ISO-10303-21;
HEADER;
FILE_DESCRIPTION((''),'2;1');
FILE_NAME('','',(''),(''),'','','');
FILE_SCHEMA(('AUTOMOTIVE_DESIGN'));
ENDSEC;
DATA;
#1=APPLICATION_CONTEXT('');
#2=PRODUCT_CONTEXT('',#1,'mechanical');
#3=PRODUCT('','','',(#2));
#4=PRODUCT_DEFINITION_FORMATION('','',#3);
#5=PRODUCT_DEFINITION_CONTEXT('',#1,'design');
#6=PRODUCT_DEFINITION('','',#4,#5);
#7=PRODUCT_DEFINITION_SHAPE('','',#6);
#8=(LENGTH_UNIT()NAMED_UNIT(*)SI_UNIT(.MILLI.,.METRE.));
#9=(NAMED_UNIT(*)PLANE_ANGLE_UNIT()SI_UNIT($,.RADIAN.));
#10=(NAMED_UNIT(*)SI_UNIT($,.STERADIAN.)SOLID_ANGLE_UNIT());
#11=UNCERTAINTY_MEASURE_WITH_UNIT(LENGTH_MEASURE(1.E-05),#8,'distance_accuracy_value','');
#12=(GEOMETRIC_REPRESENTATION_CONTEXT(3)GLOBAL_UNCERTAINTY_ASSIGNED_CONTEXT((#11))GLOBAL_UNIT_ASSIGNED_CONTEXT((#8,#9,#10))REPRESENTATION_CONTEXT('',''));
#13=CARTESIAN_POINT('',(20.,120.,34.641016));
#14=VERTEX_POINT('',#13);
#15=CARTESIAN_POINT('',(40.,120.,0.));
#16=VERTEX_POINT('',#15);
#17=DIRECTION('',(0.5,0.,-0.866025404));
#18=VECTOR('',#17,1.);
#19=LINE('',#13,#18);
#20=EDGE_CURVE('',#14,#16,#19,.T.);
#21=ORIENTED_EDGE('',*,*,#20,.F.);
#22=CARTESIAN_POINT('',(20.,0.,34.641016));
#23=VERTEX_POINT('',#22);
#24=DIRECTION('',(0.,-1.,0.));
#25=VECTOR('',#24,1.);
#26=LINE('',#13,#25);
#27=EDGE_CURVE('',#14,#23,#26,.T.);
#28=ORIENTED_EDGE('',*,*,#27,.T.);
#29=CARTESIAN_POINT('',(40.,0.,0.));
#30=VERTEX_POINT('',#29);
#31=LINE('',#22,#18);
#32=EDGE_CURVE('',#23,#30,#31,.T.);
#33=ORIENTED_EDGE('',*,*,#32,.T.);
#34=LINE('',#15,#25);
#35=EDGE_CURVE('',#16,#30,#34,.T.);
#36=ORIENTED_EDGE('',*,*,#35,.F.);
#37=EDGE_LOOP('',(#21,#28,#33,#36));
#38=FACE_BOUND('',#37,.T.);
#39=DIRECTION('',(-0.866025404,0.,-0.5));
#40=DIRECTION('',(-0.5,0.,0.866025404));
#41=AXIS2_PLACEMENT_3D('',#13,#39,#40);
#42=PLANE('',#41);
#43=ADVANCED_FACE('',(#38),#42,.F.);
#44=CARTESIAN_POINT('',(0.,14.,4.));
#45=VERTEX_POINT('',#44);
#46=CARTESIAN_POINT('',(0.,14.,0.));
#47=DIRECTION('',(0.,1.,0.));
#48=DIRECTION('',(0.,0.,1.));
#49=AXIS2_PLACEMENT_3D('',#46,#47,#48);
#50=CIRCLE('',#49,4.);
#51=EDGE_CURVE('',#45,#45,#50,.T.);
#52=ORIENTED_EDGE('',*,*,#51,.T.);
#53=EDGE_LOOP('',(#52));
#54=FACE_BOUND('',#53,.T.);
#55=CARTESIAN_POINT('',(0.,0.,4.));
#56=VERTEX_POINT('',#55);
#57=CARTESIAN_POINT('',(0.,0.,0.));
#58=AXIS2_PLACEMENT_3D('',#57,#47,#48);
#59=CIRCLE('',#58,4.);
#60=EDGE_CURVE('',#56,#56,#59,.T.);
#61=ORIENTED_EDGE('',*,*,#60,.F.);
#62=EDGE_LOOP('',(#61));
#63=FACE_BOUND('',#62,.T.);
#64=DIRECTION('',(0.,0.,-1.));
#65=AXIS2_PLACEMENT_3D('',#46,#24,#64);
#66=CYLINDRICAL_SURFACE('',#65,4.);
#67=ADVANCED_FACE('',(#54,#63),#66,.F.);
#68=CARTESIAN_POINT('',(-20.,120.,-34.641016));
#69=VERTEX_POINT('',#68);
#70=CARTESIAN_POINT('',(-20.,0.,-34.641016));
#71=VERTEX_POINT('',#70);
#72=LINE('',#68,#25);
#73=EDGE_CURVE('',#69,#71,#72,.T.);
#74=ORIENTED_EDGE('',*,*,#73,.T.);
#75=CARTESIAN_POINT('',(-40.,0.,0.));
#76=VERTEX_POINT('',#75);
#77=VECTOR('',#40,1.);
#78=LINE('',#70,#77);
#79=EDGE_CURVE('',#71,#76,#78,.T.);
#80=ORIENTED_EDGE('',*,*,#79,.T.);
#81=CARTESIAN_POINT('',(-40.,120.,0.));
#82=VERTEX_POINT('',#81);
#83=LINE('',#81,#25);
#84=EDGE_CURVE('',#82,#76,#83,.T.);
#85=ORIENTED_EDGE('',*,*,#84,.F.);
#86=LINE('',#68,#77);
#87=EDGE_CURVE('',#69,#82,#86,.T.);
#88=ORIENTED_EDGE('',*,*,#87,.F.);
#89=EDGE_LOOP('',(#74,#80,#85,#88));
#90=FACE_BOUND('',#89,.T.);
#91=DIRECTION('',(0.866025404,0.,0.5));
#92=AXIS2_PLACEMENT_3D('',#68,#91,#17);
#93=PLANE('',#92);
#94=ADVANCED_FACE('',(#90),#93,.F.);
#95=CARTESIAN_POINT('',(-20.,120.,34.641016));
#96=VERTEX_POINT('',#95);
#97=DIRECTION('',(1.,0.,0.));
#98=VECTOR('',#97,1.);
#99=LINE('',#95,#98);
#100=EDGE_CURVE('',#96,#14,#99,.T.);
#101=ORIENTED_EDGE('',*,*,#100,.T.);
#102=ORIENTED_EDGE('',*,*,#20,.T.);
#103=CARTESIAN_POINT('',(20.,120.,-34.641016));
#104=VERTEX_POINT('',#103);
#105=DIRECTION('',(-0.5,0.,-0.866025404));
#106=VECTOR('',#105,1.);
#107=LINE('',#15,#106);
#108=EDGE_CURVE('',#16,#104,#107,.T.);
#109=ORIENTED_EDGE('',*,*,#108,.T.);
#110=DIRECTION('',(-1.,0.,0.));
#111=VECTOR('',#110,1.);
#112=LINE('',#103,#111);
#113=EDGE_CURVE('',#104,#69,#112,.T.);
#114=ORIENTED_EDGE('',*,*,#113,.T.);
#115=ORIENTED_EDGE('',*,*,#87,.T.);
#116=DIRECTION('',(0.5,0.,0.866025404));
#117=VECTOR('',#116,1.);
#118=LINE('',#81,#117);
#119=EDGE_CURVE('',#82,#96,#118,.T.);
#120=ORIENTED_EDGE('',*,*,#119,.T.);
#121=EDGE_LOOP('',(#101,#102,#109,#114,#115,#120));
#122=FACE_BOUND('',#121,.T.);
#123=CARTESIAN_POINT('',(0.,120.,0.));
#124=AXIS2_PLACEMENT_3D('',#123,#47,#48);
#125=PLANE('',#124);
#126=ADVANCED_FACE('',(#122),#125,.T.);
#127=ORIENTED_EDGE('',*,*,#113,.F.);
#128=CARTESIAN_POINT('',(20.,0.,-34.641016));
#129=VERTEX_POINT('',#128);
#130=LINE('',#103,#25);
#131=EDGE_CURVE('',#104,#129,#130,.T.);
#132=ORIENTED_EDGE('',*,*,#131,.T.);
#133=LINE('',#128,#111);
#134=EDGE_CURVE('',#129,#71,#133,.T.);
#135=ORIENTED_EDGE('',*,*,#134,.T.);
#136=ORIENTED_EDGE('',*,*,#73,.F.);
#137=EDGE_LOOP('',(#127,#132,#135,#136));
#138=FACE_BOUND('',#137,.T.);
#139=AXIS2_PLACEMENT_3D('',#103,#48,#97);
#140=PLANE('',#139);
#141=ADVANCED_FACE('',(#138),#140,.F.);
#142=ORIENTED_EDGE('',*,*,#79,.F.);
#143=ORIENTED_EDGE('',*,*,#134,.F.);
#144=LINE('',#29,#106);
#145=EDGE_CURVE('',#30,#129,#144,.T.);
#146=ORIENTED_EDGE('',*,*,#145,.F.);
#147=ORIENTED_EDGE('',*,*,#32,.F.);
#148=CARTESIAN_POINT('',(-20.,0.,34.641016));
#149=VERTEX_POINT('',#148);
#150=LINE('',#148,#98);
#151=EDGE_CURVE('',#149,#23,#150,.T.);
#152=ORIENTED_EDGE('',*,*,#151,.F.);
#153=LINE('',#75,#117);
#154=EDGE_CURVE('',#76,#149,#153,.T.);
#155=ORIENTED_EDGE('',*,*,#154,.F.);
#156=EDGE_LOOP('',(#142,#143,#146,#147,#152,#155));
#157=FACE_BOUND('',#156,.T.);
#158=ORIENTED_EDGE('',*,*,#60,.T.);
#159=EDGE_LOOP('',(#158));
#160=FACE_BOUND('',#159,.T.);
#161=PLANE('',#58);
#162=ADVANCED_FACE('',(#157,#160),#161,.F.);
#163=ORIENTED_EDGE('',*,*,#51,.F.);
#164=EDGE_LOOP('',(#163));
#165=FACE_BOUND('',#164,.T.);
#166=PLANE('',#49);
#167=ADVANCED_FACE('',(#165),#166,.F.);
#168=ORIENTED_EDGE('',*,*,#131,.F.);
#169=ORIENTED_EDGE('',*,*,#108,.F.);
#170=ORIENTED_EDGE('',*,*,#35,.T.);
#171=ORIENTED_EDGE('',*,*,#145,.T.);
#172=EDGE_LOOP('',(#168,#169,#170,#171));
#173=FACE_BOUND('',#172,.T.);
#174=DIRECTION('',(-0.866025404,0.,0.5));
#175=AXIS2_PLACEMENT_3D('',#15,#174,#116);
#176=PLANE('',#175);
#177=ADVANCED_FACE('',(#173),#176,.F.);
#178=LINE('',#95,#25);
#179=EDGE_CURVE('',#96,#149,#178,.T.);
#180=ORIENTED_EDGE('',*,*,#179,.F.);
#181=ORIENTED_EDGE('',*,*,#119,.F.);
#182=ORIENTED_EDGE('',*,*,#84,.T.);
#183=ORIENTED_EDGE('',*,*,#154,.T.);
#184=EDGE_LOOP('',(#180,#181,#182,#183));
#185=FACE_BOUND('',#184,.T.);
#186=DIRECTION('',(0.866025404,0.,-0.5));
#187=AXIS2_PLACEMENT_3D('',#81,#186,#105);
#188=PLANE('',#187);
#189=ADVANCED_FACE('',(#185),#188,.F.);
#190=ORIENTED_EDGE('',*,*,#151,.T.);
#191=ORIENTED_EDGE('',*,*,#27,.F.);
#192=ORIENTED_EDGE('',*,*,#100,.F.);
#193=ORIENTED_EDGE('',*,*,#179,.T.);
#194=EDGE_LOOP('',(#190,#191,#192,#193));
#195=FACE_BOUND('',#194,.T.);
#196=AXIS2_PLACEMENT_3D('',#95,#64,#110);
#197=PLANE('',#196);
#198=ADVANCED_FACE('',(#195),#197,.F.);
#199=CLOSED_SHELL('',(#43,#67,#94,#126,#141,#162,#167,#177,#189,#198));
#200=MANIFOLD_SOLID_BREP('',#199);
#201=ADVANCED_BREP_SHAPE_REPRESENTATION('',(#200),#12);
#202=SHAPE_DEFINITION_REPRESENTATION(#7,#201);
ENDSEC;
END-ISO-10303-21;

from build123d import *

# Parameters (mm, degrees)
PRISMA_HEXAGONAL_DEPTH     = 120
CROQUIS_AGUJEROS_MONTAJE_R = 4
AGUJERO_INSERTO_M6_DEPTH   = 14


with BuildPart() as part:
    # Croquis_hexagono → Prisma_hexagonal (new body)
    with BuildSketch(Plane(origin=(0, 0, 0), x_dir=(1, 0, 0), z_dir=(0, 1, 0))):
        Polygon((40, 0), (20, 34.641016151), (-20, 34.641016151), (-40, 0), (-20, -34.641016151), (20, -34.641016151), align=None)
    extrude(amount=PRISMA_HEXAGONAL_DEPTH)

    # Croquis_agujeros_montaje → Agujero_inserto_M6 (cut)
    with BuildSketch(Plane(origin=(0, 0, 0), x_dir=(1, 0, 0), z_dir=(0, 1, 0))):
        with Locations(Location((0, 0, 0), (0, 0, 270))):
            Circle(CROQUIS_AGUJEROS_MONTAJE_R)
    extrude(amount=AGUJERO_INSERTO_M6_DEPTH, mode=Mode.SUBTRACT)


solid = part.part
